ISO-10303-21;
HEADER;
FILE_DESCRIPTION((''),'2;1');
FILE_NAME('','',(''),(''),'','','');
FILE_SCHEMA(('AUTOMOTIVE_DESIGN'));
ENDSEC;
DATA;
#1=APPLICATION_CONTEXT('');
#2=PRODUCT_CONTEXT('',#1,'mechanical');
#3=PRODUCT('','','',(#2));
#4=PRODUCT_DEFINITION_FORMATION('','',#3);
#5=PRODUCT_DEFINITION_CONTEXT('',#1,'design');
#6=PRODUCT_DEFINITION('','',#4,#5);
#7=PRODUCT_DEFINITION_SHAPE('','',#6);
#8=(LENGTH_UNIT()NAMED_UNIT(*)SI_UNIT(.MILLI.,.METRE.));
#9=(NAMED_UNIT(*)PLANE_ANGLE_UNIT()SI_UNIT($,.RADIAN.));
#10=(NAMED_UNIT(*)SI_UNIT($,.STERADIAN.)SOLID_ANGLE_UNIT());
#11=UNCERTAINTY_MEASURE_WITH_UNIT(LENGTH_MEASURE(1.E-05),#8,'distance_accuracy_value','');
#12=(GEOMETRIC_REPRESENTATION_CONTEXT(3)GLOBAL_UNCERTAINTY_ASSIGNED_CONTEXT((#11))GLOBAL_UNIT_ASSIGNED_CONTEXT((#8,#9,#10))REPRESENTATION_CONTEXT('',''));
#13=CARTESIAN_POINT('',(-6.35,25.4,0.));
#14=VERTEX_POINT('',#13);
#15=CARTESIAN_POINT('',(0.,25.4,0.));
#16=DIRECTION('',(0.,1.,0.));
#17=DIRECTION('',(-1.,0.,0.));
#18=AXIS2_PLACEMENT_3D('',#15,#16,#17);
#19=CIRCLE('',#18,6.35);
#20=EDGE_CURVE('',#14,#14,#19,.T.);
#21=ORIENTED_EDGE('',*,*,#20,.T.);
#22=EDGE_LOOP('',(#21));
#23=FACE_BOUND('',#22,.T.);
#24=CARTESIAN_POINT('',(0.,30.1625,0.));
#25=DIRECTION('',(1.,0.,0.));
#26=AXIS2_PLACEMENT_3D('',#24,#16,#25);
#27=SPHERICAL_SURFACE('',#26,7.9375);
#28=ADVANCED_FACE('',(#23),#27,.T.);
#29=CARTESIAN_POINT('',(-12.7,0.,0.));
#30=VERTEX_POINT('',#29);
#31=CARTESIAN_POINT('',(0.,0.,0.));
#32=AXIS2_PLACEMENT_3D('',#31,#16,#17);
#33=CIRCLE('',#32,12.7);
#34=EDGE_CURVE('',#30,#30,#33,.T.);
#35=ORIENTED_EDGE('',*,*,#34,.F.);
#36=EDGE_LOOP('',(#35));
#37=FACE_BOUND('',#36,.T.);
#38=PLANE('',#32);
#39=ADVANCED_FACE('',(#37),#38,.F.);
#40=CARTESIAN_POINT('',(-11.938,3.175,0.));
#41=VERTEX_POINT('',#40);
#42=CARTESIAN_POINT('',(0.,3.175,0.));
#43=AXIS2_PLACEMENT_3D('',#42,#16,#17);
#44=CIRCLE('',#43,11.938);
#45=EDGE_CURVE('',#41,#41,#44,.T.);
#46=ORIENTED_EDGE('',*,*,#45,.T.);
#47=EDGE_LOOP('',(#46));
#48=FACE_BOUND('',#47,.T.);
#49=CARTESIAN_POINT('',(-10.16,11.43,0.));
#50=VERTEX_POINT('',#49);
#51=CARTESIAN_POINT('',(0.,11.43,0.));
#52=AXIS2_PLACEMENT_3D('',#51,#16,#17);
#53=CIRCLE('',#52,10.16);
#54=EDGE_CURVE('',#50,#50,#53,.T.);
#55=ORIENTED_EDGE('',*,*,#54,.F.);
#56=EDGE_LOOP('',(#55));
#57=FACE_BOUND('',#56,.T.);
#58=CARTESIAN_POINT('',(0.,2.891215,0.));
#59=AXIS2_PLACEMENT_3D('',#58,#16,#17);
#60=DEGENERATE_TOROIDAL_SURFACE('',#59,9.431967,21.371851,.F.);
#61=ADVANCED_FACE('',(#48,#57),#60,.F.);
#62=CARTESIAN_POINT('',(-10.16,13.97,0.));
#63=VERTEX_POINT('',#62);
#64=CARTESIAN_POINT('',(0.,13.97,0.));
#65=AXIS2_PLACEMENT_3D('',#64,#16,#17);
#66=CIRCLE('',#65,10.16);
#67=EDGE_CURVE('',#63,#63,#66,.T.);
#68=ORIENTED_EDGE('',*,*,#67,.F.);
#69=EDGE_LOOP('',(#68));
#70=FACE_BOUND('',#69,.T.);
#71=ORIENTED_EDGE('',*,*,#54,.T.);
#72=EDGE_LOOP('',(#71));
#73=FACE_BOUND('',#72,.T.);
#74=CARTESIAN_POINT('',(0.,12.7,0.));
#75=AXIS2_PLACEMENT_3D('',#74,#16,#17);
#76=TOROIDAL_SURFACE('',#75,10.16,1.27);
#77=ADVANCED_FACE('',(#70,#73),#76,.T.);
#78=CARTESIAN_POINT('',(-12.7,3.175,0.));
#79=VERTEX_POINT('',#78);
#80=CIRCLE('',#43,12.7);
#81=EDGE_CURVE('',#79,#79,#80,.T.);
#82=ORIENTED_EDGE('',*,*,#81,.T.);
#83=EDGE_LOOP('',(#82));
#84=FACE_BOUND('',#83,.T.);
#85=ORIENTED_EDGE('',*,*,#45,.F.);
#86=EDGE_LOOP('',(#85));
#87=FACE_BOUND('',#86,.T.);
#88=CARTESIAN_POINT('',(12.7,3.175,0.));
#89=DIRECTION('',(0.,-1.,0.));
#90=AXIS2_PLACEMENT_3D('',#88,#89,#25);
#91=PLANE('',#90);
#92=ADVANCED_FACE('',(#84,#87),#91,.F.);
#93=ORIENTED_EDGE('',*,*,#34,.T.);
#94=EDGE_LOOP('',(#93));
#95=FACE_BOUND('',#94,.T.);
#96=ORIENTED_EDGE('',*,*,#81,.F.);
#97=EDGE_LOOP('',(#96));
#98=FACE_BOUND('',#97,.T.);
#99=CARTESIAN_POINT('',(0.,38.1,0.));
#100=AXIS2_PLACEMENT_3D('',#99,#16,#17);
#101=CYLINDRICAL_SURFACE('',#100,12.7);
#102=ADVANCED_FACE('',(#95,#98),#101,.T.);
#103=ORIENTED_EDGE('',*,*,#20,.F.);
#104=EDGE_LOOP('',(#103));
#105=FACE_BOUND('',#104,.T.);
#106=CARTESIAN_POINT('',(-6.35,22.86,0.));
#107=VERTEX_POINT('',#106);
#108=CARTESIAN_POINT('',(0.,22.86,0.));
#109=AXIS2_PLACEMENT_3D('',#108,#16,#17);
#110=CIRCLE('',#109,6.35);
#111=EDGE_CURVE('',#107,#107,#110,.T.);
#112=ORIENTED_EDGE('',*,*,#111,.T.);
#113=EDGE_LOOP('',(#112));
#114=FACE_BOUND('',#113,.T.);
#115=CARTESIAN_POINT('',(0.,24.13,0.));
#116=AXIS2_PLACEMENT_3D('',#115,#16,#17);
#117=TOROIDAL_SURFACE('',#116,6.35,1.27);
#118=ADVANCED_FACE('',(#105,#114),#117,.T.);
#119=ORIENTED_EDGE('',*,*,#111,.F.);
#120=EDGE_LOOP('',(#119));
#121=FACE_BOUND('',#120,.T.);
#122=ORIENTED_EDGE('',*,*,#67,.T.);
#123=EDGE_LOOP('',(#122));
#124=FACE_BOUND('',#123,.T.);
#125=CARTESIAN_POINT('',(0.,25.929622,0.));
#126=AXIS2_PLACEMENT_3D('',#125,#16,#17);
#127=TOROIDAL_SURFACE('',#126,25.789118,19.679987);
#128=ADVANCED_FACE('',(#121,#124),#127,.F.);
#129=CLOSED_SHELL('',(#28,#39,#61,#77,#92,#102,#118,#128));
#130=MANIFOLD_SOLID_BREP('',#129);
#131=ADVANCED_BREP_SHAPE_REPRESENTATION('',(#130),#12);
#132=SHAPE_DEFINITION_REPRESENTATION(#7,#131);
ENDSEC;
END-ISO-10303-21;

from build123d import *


with BuildPart() as part:
    # Sketch1 → Revolve1 (revolve)
    with BuildSketch(Plane.XY, mode=Mode.PRIVATE) as revolve1_sk:
        with BuildLine():
            Line((0, 0), (12.7, 0))
            Line((12.7, 0), (12.7, 3.175))
            Line((12.7, 3.175), (11.938, 3.175))
            ThreePointArc((11.938, 3.175), (11.460765371, 7.391187926), (10.16, 11.43))
            ThreePointArc((10.16, 11.43), (11.43, 12.7), (10.16, 13.97))
            ThreePointArc((10.16, 13.97), (7.700355765, 18.177295328), (6.35, 22.86))
            ThreePointArc((6.35, 22.86), (7.62, 24.13), (6.35, 25.4))
            ThreePointArc((6.35, 25.4), (7.099515829, 33.712257914), (0, 38.1))
            Line((0, 38.1), (0, 0))
        make_face()
    revolve(revolve1_sk.sketch.rotate(Axis((0, 38.1, 0), (0, -1, 0)), 180), axis=Axis((0, 38.1, 0), (0, -1, 0)))


solid = part.part
